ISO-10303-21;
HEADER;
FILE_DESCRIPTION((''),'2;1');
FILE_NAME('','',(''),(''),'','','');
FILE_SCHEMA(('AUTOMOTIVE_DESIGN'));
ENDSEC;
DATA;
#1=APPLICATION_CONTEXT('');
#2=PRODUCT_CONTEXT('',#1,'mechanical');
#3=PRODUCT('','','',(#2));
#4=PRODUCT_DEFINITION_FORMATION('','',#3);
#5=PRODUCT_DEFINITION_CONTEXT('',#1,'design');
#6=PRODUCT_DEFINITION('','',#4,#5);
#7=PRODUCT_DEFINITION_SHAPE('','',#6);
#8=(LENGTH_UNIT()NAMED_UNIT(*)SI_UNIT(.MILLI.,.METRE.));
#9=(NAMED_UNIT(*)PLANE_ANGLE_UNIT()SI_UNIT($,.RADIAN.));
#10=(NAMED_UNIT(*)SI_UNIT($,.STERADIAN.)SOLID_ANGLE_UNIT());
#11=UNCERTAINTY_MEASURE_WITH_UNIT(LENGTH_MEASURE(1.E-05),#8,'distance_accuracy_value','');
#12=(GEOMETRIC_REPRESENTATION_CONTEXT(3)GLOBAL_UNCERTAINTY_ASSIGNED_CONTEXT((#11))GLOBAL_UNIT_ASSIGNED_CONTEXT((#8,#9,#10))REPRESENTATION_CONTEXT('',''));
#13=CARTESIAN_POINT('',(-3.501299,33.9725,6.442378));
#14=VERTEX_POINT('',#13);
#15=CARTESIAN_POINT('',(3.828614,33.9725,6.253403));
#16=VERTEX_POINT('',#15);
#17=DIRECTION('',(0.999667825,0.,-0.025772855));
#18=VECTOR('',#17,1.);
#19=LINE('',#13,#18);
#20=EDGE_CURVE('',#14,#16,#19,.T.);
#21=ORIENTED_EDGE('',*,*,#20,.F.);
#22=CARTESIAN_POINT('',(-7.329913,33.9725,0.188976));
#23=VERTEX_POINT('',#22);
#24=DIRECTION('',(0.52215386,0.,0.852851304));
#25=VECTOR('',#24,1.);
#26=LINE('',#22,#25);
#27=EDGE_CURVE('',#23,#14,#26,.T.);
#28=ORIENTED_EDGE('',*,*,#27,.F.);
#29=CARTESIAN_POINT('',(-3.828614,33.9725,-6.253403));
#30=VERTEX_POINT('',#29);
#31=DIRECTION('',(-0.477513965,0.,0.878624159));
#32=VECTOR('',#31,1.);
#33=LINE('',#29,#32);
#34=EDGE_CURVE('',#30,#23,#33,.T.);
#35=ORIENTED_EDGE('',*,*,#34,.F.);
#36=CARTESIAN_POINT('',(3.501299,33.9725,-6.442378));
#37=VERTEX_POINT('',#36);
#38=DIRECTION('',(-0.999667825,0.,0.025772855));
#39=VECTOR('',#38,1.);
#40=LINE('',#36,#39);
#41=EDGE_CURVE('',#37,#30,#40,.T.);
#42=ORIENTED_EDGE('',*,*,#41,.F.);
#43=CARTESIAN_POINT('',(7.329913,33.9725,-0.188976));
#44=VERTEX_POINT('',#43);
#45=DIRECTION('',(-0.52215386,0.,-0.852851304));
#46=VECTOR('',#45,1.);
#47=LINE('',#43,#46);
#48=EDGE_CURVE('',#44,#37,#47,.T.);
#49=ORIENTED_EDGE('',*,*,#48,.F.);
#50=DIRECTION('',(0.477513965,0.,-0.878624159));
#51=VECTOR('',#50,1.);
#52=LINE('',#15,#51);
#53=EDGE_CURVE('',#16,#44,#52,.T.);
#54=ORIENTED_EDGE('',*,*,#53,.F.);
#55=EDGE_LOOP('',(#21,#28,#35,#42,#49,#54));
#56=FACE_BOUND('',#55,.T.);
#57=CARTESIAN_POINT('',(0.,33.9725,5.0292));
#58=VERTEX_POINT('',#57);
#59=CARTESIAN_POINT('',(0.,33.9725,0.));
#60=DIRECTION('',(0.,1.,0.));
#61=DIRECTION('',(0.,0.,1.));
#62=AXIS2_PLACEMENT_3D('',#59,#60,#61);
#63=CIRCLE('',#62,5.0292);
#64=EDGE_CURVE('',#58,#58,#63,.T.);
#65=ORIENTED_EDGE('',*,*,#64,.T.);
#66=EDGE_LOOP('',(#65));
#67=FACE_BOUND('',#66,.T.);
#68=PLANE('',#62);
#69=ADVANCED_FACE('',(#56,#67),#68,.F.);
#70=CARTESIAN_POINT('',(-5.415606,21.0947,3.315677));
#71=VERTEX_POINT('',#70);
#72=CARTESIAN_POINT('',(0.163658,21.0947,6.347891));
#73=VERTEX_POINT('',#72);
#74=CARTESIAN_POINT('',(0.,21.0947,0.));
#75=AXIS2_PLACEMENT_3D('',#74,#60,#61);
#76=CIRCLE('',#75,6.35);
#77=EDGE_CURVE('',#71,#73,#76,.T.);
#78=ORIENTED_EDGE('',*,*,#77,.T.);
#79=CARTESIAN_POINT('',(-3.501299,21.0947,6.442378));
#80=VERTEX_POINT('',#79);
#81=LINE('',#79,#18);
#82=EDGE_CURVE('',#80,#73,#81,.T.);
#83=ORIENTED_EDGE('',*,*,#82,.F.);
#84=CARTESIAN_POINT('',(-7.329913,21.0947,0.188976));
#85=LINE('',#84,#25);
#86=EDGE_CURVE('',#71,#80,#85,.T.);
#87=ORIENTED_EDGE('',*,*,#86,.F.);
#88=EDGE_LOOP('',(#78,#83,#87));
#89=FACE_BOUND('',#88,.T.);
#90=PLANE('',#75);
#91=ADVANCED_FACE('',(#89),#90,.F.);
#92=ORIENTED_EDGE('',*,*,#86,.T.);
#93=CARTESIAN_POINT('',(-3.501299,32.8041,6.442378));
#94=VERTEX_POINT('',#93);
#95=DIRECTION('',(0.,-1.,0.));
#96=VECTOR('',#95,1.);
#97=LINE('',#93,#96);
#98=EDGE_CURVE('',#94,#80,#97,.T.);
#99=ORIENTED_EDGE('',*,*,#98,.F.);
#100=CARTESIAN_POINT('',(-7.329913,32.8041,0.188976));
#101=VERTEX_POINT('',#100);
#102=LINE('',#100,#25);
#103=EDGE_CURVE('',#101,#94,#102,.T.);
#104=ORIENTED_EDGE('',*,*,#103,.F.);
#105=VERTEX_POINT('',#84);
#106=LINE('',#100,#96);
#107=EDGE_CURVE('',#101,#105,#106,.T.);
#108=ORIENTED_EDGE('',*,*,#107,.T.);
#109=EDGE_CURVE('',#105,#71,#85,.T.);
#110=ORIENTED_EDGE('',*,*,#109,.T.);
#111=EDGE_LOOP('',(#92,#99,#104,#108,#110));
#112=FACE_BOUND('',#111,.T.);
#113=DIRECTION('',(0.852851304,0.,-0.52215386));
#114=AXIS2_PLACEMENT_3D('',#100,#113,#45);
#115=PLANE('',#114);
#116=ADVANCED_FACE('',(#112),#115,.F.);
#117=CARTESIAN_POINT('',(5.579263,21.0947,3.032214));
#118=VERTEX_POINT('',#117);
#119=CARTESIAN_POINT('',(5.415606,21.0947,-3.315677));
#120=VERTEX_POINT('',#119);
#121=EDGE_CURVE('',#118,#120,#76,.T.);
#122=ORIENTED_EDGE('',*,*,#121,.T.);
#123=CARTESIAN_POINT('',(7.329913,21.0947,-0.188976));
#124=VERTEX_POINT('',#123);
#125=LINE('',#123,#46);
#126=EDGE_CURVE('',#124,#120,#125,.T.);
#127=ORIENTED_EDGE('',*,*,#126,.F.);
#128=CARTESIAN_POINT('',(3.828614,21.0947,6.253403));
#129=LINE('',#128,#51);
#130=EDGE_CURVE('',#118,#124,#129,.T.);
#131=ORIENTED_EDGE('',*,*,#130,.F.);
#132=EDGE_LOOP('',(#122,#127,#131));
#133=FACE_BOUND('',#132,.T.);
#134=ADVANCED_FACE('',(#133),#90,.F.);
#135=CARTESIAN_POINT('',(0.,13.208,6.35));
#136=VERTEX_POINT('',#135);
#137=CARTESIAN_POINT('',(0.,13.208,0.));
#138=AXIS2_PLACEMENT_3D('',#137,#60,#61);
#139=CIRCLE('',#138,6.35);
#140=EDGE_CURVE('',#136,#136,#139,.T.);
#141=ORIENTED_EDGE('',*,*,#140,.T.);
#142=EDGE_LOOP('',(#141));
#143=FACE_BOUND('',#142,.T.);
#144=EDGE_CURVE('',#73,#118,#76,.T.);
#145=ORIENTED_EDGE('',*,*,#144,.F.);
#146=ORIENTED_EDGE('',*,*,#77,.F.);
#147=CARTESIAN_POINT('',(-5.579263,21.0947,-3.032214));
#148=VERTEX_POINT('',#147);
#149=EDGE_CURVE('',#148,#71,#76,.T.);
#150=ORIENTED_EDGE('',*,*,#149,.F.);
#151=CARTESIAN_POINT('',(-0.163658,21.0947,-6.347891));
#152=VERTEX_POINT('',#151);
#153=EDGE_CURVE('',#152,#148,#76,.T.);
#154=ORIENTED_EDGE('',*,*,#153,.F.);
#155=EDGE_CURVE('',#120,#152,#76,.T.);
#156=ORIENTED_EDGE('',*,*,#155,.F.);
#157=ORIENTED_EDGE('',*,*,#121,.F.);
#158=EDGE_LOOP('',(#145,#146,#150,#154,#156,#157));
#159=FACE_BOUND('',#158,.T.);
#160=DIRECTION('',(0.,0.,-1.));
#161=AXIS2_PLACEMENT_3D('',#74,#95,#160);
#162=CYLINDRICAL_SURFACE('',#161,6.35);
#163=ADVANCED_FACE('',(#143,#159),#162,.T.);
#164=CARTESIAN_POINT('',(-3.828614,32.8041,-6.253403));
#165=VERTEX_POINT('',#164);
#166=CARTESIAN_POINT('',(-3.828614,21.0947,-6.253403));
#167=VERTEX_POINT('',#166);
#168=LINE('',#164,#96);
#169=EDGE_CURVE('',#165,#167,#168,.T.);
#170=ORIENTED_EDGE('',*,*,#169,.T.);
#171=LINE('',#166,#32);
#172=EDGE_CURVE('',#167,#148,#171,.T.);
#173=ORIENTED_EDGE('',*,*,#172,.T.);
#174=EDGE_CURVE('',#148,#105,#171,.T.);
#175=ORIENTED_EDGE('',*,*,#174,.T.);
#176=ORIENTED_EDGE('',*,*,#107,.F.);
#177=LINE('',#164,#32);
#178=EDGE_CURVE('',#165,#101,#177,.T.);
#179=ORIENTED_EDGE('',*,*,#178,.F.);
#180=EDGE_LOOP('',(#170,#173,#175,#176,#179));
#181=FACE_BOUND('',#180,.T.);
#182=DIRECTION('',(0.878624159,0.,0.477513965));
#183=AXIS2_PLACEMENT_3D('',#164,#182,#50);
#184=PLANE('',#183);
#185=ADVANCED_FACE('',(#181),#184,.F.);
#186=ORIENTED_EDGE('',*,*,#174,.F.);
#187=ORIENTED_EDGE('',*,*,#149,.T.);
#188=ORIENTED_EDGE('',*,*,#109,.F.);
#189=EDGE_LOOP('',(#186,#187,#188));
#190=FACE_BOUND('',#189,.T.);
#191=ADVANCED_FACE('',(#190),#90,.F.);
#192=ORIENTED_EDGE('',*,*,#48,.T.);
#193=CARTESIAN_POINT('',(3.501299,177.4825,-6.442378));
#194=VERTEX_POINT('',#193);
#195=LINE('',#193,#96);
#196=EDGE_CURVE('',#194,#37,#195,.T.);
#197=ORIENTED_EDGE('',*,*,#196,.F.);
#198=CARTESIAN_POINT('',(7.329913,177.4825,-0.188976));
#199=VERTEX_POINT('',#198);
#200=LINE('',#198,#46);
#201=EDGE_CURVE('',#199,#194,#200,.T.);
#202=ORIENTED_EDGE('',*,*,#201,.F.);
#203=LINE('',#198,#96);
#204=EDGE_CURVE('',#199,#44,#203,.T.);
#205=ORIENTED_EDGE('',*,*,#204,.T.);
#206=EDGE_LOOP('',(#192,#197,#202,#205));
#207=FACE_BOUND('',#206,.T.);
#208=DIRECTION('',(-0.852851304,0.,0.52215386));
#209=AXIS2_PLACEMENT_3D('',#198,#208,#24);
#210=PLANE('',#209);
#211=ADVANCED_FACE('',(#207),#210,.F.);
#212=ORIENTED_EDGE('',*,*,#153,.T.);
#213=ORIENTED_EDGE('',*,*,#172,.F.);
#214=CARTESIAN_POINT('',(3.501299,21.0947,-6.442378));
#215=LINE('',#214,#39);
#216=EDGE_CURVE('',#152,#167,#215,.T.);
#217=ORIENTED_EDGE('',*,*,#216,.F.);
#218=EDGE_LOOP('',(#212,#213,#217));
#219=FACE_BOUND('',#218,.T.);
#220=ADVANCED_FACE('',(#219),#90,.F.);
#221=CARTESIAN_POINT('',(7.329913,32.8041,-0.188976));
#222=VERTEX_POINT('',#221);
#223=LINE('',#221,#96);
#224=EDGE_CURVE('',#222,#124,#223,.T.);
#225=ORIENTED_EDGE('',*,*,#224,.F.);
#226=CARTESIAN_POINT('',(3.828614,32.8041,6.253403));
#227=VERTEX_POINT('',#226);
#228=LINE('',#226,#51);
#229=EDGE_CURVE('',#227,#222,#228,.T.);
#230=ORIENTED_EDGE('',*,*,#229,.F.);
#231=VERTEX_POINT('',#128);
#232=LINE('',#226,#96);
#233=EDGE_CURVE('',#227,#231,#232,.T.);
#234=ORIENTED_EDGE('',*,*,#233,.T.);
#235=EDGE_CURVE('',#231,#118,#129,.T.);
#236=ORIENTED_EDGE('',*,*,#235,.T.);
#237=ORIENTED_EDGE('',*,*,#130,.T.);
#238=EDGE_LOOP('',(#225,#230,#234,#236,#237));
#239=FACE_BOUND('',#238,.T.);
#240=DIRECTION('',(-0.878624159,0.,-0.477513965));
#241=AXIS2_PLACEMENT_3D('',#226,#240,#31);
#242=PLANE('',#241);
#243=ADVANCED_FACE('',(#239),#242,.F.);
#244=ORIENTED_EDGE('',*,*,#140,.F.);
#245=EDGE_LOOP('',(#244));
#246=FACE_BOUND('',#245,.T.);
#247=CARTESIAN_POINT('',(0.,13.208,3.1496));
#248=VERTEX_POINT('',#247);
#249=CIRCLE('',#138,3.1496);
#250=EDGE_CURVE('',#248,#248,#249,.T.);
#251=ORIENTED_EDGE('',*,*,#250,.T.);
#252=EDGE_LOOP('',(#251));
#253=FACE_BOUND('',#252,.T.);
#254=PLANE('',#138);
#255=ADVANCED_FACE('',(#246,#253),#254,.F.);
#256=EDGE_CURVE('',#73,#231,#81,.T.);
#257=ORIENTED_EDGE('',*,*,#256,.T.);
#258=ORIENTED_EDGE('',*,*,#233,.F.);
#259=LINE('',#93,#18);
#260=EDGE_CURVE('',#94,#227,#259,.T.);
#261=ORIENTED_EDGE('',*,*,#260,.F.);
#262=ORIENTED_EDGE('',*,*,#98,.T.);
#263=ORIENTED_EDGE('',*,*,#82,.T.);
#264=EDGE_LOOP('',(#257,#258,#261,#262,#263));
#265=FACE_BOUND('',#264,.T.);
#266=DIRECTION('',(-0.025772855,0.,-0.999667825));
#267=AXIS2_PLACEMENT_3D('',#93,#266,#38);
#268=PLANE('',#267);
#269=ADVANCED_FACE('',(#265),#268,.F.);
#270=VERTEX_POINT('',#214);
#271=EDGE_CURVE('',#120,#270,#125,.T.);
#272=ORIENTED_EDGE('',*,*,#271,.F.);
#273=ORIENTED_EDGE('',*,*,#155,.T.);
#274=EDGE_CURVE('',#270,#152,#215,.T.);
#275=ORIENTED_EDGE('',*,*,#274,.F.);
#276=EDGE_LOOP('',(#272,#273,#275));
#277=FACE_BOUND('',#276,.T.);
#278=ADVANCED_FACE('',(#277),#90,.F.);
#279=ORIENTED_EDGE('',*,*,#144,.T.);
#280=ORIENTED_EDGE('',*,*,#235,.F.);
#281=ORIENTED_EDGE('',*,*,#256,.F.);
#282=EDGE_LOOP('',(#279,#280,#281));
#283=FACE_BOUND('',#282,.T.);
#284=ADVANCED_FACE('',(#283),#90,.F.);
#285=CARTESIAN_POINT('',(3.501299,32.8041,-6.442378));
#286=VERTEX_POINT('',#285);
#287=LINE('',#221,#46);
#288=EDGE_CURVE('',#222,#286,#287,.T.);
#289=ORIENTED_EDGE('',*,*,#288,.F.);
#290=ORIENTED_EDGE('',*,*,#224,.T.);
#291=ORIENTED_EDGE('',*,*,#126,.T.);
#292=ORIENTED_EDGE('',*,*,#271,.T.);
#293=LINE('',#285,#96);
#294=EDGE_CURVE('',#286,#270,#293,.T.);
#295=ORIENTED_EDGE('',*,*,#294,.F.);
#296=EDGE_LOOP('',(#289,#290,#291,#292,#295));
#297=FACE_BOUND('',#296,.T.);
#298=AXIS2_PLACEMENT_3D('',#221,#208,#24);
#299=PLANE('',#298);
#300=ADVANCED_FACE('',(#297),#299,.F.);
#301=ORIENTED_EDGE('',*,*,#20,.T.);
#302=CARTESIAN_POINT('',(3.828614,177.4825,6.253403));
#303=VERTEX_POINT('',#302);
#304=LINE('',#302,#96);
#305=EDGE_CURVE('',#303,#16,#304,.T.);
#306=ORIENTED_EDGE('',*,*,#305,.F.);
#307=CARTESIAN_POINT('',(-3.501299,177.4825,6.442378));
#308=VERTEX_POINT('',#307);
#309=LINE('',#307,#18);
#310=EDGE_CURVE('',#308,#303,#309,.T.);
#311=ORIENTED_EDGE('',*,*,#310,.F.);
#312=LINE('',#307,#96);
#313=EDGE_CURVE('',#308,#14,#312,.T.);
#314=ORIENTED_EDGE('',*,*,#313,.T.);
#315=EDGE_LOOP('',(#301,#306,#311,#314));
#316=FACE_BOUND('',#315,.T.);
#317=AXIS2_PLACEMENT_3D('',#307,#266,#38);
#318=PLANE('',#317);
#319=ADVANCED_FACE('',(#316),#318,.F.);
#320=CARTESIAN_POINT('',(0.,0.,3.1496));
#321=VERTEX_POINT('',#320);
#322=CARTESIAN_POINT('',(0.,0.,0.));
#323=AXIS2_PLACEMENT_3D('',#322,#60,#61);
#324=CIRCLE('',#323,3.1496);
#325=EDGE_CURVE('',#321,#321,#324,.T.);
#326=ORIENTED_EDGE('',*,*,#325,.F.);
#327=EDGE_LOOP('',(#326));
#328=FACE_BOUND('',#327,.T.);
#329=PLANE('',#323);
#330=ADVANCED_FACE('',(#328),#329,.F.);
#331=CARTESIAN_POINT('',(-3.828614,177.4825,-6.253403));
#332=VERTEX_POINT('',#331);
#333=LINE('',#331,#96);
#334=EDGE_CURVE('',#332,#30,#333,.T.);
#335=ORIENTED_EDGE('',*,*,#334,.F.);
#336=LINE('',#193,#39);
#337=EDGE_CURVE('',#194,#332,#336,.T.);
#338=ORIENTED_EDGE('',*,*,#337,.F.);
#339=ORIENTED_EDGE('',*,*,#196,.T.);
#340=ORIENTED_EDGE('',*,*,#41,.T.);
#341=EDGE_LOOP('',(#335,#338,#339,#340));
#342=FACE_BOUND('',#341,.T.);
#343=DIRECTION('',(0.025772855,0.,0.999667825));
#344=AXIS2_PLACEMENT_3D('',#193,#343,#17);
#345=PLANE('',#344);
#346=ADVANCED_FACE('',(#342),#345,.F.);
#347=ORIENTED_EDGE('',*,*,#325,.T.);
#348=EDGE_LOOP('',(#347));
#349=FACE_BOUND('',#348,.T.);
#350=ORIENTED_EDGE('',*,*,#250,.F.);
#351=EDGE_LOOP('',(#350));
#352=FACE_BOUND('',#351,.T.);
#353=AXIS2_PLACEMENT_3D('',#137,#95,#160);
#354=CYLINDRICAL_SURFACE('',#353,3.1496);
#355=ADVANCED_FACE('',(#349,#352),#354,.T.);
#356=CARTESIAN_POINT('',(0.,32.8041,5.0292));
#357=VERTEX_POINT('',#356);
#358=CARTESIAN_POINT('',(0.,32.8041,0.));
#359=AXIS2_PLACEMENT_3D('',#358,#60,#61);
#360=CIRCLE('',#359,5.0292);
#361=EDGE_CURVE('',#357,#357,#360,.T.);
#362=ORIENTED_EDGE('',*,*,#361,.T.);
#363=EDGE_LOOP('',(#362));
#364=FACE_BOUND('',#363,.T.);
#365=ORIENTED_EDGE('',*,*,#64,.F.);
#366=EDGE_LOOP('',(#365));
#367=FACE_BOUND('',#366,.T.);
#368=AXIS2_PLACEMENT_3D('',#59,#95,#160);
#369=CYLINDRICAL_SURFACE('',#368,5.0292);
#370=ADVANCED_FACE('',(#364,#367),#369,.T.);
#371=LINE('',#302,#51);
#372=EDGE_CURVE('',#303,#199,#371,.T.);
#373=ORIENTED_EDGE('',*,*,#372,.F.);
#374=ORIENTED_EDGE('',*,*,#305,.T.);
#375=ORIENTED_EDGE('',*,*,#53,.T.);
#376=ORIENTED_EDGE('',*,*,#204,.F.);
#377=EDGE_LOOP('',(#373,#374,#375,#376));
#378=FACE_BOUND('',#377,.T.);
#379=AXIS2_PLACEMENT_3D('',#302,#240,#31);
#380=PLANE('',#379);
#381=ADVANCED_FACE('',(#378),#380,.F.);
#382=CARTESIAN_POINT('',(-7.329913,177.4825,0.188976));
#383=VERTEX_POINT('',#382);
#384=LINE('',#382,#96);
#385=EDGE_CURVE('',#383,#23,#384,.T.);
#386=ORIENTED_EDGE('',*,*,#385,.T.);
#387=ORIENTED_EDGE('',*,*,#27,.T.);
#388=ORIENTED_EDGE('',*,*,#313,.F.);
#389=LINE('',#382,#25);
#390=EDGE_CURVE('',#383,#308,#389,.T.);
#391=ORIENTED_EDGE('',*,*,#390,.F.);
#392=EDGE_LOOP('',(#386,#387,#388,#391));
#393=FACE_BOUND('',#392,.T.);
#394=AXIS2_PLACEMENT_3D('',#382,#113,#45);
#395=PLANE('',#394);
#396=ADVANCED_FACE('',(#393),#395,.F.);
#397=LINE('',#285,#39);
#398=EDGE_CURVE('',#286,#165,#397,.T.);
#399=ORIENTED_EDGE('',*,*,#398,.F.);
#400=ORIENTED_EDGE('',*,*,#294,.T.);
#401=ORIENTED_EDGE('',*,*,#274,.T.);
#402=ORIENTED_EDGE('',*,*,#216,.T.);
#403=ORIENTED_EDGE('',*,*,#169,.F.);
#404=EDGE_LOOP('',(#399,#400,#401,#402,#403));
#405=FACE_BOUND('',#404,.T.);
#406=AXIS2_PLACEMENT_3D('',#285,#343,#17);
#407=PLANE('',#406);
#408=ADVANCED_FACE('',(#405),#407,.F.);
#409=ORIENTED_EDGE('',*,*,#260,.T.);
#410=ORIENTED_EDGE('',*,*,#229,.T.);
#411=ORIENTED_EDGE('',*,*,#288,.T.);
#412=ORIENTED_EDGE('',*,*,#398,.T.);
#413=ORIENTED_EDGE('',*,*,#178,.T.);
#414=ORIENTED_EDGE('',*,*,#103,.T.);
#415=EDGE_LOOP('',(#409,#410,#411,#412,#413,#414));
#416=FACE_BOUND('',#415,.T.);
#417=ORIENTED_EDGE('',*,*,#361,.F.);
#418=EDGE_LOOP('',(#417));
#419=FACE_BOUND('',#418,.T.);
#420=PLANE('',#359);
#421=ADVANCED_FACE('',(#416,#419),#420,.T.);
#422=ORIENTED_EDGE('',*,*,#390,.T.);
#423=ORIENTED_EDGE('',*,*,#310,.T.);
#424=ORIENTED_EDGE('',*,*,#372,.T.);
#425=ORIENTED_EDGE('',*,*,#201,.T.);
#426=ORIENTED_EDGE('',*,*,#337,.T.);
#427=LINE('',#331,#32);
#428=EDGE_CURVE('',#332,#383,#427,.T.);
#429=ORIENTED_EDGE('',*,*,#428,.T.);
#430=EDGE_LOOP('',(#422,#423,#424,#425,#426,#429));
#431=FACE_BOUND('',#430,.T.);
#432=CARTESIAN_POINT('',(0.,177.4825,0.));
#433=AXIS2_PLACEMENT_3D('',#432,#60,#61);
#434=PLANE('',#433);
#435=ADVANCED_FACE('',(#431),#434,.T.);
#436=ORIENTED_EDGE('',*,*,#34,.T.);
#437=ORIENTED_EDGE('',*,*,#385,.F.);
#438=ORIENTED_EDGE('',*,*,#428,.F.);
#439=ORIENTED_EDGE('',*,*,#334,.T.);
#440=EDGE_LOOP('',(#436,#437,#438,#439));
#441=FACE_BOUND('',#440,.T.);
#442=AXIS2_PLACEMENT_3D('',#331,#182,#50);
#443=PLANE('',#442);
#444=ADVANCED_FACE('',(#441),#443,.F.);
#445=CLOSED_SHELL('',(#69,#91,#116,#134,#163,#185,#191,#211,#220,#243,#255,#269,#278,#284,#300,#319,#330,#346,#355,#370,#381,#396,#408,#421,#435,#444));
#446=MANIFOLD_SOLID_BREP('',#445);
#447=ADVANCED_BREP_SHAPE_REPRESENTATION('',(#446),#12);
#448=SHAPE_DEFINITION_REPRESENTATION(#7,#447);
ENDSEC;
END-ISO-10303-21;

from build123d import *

# Parameters (mm, degrees)
SKETCH1_R           = 3.1496
BOSS_EXTRUDE1_DEPTH = 13.208
SKETCH2_R           = 6.35
BOSS_EXTRUDE2_DEPTH = 7.8867
BOSS_EXTRUDE3_DEPTH = 11.7094
SKETCH4_R           = 5.0292
BOSS_EXTRUDE4_DEPTH = 1.1684
BOSS_EXTRUDE5_DEPTH = 143.51


with BuildPart() as part:
    # Sketch1 → Boss-Extrude1 (new body)
    with BuildSketch(Plane(origin=(0, 0, 0), x_dir=(1, 0, 0), z_dir=(0, 1, 0))):
        Circle(SKETCH1_R)
    extrude(amount=BOSS_EXTRUDE1_DEPTH)

    # Sketch2 → Boss-Extrude2 (add)
    with BuildSketch(Plane(origin=(0, 13.208, 0), x_dir=(1, 0, 0), z_dir=(0, 1, 0))):
        Circle(SKETCH2_R)
    extrude(amount=BOSS_EXTRUDE2_DEPTH)

    # Sketch3 → Boss-Extrude3 (add)
    with BuildSketch(Plane(origin=(0, 21.0947, 0), x_dir=(1, 0, 0), z_dir=(0, 1, 0))):
        Polygon((3.828614027, -6.253402911), (7.329912794, 0.188975553), (3.501298767, 6.442378464), (-3.828614027, 6.253402911), (-7.329912794, -0.188975553), (-3.501298767, -6.442378464), align=None)
    extrude(amount=BOSS_EXTRUDE3_DEPTH)

    # Sketch4 → Boss-Extrude4 (add)
    with BuildSketch(Plane(origin=(0, 32.8041, 0), x_dir=(1, 0, 0), z_dir=(0, 1, 0))):
        Circle(SKETCH4_R)
    extrude(amount=BOSS_EXTRUDE4_DEPTH)

    # Sketch5 → Boss-Extrude5 (add)
    with BuildSketch(Plane(origin=(0, 33.9725, 0), x_dir=(1, 0, 0), z_dir=(0, 1, 0))):
        Polygon((-3.828614027, 6.253402911), (-7.329912794, -0.188975553), (-3.501298767, -6.442378464), (3.828614027, -6.253402911), (7.329912794, 0.188975553), (3.501298767, 6.442378464), align=None)
    extrude(amount=BOSS_EXTRUDE5_DEPTH)


solid = part.part
